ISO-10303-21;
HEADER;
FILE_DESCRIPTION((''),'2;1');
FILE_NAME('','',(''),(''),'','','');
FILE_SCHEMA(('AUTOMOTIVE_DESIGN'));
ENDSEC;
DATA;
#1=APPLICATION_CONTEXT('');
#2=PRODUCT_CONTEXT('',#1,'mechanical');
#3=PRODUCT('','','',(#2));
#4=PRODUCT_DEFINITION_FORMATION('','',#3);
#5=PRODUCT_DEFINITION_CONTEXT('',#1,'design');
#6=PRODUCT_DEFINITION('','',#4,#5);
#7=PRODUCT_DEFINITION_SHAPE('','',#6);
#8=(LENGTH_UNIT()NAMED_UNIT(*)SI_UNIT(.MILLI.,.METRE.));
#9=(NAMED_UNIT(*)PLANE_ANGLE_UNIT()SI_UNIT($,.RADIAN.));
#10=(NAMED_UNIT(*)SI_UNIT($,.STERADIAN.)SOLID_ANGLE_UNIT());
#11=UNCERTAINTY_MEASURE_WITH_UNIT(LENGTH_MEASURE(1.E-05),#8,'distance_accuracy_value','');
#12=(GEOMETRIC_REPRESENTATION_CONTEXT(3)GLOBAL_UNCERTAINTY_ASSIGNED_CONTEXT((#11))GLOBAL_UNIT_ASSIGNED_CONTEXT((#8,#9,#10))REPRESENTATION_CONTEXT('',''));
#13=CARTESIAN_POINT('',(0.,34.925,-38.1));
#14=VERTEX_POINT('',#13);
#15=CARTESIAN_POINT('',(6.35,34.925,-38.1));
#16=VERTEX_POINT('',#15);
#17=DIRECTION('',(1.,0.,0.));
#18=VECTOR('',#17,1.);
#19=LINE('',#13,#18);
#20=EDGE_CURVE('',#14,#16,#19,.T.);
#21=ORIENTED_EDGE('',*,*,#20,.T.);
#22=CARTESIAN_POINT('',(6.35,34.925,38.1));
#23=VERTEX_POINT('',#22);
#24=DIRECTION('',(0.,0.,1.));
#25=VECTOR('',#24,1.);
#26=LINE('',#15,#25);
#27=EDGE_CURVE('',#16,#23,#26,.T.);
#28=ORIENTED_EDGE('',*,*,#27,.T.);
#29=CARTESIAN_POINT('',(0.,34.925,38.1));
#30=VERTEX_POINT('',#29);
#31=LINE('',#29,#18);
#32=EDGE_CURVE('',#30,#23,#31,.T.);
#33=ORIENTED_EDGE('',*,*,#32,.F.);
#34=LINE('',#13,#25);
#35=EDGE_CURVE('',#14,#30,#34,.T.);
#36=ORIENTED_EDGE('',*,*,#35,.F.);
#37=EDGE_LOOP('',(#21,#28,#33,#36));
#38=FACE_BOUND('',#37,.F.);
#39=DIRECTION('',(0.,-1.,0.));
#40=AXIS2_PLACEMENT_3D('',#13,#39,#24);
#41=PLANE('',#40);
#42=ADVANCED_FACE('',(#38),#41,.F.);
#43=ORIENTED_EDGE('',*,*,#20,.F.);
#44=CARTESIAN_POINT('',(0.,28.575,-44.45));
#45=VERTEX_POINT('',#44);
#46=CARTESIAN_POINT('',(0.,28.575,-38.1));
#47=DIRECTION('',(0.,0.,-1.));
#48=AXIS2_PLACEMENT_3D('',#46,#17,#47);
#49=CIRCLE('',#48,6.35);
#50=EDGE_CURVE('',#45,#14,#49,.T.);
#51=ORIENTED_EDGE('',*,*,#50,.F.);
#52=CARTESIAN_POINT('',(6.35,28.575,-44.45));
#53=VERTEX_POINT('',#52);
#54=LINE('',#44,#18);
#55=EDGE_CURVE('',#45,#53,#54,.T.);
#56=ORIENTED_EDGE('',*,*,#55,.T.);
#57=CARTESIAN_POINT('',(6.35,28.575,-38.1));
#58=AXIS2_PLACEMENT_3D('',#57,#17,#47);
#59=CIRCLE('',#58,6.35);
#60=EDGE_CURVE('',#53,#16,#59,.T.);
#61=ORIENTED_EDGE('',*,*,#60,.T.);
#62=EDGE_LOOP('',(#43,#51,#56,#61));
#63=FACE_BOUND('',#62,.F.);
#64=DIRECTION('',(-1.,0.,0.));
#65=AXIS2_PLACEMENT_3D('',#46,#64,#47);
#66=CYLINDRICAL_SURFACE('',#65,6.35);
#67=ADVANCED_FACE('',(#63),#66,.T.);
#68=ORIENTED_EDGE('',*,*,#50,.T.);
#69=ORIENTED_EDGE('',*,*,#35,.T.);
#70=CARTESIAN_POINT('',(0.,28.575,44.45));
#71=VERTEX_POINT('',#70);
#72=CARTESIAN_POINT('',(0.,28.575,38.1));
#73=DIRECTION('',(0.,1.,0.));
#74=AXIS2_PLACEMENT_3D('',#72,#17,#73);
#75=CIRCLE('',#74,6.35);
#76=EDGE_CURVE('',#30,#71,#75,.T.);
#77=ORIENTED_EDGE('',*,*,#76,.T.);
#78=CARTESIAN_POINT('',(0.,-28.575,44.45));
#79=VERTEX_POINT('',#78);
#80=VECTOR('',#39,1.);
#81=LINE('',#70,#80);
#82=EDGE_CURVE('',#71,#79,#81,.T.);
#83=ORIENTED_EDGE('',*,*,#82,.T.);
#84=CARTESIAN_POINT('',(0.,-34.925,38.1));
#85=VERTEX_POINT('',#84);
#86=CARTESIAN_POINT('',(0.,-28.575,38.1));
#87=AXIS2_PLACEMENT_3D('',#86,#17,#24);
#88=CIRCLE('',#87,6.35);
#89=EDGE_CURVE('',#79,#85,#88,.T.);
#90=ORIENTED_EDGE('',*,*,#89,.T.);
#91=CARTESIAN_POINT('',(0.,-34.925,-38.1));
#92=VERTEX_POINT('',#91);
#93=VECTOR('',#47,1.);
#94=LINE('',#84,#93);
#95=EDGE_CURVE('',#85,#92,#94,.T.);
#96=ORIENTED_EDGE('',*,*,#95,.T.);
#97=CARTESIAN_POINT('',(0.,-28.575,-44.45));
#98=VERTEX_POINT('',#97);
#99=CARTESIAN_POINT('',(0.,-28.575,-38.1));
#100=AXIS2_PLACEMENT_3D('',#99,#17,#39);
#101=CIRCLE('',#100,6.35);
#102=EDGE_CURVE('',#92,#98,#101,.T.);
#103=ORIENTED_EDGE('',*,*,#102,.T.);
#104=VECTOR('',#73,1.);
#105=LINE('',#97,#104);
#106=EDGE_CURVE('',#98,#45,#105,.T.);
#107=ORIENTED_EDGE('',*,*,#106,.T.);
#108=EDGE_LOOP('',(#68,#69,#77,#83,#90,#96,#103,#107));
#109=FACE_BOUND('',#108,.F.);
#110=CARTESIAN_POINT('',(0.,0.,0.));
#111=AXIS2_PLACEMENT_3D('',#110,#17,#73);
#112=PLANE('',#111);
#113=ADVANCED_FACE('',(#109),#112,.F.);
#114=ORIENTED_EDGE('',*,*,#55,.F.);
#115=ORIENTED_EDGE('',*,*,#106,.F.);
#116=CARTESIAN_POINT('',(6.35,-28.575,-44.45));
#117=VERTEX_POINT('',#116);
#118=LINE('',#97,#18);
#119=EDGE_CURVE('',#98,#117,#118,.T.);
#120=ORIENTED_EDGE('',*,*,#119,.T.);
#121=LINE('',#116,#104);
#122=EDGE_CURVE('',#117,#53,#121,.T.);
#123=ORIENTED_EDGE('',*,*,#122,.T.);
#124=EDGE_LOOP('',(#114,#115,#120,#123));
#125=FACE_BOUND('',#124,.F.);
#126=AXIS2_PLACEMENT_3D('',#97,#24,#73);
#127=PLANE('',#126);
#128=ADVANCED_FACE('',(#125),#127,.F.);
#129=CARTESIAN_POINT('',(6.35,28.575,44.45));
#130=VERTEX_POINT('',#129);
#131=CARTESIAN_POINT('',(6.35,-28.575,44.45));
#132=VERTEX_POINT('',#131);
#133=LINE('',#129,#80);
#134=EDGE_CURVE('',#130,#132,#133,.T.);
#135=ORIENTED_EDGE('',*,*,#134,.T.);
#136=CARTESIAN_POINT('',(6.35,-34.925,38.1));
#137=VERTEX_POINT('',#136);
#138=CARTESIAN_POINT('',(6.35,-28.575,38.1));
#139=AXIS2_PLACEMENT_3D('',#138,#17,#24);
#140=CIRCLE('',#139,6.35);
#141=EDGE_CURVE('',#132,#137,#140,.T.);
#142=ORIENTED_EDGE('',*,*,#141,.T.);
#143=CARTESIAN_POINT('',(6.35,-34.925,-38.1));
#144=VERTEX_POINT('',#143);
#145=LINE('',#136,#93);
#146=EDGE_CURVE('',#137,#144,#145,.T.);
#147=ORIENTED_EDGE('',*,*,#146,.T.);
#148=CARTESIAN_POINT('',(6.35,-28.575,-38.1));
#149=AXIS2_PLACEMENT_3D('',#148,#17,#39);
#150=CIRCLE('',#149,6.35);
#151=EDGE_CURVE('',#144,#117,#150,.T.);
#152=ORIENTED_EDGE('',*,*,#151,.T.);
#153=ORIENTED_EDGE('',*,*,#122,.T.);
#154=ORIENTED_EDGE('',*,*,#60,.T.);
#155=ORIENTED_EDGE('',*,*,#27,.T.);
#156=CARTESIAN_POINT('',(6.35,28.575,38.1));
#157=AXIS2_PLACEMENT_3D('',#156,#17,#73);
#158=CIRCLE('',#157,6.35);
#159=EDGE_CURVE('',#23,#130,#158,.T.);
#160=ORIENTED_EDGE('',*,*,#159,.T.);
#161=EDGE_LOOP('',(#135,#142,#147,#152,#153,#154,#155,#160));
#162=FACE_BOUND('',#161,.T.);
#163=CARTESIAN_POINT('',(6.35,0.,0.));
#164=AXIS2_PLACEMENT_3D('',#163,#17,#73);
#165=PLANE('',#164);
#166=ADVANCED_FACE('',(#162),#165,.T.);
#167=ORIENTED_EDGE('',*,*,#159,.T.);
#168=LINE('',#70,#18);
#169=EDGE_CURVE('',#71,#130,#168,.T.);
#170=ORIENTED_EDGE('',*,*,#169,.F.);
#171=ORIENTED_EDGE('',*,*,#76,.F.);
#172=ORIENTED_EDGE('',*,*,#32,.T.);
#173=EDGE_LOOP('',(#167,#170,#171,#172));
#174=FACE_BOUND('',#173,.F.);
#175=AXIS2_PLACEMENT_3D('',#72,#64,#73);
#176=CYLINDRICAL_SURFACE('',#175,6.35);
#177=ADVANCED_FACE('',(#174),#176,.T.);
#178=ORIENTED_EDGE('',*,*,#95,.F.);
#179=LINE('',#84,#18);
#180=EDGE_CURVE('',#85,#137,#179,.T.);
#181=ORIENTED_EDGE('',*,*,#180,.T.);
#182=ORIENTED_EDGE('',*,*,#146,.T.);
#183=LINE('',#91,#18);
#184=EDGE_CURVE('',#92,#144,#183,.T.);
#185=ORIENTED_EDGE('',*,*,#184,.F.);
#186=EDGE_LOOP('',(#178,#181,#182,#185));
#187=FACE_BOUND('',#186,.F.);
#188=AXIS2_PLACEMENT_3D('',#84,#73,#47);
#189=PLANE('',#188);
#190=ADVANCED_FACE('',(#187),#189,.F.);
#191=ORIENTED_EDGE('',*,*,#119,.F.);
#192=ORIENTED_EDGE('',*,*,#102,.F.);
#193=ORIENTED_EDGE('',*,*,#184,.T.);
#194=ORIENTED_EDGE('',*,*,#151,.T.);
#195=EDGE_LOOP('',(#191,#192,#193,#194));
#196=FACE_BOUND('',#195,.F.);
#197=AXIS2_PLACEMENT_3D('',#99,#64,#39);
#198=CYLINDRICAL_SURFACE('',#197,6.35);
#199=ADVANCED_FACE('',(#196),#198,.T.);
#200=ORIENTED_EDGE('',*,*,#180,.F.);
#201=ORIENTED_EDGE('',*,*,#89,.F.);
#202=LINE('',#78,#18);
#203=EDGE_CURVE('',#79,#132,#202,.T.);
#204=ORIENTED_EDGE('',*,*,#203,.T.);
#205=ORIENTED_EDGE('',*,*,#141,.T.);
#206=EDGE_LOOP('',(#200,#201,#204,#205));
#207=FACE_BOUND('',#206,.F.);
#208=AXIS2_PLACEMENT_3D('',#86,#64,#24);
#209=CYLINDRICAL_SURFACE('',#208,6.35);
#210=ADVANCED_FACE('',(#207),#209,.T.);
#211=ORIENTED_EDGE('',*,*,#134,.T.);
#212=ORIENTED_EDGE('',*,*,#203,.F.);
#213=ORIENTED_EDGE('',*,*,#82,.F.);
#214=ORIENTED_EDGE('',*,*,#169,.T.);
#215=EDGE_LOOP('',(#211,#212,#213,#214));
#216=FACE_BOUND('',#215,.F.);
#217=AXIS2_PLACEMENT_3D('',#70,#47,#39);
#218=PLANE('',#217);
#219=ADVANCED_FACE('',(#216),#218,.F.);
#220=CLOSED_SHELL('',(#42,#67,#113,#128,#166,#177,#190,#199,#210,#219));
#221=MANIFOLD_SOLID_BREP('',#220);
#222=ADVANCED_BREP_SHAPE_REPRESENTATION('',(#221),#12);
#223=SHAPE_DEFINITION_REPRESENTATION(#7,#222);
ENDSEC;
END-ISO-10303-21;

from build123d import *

# Parameters (mm, degrees)
F1_DEPTH = 6.35
F4_DEPTH = 6.35


with BuildPart() as f1:
    # F0 (on Right) → F1 (new body)
    with BuildSketch(Plane.YZ):
        with BuildLine():
            ThreePointArc((41.275, 38.1), (38.4851920908, 44.8351920908), (31.75, 47.625))
            Line((31.75, 47.625), (-31.75, 47.625))
            ThreePointArc((-31.75, 47.625), (-38.4851920908, 44.8351920908), (-41.275, 38.1))
            Line((-41.275, 38.1), (-41.275, -38.1))
            ThreePointArc((-41.275, -38.1), (-38.4851920908, -44.8351920908), (-31.75, -47.625))
            Line((-31.75, -47.625), (31.75, -47.625))
            ThreePointArc((31.75, -47.625), (38.4851920908, -44.8351920908), (41.275, -38.1))
            Line((41.275, -38.1), (41.275, 38.1))
        make_face()
    extrude(amount=F1_DEPTH)


with BuildPart() as f4:
    # F3 (on Right) → F4 (new body)
    with BuildSketch(Plane.YZ):
        with BuildLine():
            ThreePointArc((34.925, 38.1), (33.0651280605, 42.5901280605), (28.575, 44.45))
            Line((28.575, 44.45), (-28.575, 44.45))
            ThreePointArc((-28.575, 44.45), (-33.0651280605, 42.5901280605), (-34.925, 38.1))
            Line((-34.925, 38.1), (-34.925, -38.1))
            ThreePointArc((-34.925, -38.1), (-33.0651280605, -42.5901280605), (-28.575, -44.45))
            Line((-28.575, -44.45), (28.575, -44.45))
            ThreePointArc((28.575, -44.45), (33.0651280605, -42.5901280605), (34.925, -38.1))
            Line((34.925, -38.1), (34.925, 38.1))
        make_face()
    extrude(amount=F4_DEPTH)


solid = f4.part
